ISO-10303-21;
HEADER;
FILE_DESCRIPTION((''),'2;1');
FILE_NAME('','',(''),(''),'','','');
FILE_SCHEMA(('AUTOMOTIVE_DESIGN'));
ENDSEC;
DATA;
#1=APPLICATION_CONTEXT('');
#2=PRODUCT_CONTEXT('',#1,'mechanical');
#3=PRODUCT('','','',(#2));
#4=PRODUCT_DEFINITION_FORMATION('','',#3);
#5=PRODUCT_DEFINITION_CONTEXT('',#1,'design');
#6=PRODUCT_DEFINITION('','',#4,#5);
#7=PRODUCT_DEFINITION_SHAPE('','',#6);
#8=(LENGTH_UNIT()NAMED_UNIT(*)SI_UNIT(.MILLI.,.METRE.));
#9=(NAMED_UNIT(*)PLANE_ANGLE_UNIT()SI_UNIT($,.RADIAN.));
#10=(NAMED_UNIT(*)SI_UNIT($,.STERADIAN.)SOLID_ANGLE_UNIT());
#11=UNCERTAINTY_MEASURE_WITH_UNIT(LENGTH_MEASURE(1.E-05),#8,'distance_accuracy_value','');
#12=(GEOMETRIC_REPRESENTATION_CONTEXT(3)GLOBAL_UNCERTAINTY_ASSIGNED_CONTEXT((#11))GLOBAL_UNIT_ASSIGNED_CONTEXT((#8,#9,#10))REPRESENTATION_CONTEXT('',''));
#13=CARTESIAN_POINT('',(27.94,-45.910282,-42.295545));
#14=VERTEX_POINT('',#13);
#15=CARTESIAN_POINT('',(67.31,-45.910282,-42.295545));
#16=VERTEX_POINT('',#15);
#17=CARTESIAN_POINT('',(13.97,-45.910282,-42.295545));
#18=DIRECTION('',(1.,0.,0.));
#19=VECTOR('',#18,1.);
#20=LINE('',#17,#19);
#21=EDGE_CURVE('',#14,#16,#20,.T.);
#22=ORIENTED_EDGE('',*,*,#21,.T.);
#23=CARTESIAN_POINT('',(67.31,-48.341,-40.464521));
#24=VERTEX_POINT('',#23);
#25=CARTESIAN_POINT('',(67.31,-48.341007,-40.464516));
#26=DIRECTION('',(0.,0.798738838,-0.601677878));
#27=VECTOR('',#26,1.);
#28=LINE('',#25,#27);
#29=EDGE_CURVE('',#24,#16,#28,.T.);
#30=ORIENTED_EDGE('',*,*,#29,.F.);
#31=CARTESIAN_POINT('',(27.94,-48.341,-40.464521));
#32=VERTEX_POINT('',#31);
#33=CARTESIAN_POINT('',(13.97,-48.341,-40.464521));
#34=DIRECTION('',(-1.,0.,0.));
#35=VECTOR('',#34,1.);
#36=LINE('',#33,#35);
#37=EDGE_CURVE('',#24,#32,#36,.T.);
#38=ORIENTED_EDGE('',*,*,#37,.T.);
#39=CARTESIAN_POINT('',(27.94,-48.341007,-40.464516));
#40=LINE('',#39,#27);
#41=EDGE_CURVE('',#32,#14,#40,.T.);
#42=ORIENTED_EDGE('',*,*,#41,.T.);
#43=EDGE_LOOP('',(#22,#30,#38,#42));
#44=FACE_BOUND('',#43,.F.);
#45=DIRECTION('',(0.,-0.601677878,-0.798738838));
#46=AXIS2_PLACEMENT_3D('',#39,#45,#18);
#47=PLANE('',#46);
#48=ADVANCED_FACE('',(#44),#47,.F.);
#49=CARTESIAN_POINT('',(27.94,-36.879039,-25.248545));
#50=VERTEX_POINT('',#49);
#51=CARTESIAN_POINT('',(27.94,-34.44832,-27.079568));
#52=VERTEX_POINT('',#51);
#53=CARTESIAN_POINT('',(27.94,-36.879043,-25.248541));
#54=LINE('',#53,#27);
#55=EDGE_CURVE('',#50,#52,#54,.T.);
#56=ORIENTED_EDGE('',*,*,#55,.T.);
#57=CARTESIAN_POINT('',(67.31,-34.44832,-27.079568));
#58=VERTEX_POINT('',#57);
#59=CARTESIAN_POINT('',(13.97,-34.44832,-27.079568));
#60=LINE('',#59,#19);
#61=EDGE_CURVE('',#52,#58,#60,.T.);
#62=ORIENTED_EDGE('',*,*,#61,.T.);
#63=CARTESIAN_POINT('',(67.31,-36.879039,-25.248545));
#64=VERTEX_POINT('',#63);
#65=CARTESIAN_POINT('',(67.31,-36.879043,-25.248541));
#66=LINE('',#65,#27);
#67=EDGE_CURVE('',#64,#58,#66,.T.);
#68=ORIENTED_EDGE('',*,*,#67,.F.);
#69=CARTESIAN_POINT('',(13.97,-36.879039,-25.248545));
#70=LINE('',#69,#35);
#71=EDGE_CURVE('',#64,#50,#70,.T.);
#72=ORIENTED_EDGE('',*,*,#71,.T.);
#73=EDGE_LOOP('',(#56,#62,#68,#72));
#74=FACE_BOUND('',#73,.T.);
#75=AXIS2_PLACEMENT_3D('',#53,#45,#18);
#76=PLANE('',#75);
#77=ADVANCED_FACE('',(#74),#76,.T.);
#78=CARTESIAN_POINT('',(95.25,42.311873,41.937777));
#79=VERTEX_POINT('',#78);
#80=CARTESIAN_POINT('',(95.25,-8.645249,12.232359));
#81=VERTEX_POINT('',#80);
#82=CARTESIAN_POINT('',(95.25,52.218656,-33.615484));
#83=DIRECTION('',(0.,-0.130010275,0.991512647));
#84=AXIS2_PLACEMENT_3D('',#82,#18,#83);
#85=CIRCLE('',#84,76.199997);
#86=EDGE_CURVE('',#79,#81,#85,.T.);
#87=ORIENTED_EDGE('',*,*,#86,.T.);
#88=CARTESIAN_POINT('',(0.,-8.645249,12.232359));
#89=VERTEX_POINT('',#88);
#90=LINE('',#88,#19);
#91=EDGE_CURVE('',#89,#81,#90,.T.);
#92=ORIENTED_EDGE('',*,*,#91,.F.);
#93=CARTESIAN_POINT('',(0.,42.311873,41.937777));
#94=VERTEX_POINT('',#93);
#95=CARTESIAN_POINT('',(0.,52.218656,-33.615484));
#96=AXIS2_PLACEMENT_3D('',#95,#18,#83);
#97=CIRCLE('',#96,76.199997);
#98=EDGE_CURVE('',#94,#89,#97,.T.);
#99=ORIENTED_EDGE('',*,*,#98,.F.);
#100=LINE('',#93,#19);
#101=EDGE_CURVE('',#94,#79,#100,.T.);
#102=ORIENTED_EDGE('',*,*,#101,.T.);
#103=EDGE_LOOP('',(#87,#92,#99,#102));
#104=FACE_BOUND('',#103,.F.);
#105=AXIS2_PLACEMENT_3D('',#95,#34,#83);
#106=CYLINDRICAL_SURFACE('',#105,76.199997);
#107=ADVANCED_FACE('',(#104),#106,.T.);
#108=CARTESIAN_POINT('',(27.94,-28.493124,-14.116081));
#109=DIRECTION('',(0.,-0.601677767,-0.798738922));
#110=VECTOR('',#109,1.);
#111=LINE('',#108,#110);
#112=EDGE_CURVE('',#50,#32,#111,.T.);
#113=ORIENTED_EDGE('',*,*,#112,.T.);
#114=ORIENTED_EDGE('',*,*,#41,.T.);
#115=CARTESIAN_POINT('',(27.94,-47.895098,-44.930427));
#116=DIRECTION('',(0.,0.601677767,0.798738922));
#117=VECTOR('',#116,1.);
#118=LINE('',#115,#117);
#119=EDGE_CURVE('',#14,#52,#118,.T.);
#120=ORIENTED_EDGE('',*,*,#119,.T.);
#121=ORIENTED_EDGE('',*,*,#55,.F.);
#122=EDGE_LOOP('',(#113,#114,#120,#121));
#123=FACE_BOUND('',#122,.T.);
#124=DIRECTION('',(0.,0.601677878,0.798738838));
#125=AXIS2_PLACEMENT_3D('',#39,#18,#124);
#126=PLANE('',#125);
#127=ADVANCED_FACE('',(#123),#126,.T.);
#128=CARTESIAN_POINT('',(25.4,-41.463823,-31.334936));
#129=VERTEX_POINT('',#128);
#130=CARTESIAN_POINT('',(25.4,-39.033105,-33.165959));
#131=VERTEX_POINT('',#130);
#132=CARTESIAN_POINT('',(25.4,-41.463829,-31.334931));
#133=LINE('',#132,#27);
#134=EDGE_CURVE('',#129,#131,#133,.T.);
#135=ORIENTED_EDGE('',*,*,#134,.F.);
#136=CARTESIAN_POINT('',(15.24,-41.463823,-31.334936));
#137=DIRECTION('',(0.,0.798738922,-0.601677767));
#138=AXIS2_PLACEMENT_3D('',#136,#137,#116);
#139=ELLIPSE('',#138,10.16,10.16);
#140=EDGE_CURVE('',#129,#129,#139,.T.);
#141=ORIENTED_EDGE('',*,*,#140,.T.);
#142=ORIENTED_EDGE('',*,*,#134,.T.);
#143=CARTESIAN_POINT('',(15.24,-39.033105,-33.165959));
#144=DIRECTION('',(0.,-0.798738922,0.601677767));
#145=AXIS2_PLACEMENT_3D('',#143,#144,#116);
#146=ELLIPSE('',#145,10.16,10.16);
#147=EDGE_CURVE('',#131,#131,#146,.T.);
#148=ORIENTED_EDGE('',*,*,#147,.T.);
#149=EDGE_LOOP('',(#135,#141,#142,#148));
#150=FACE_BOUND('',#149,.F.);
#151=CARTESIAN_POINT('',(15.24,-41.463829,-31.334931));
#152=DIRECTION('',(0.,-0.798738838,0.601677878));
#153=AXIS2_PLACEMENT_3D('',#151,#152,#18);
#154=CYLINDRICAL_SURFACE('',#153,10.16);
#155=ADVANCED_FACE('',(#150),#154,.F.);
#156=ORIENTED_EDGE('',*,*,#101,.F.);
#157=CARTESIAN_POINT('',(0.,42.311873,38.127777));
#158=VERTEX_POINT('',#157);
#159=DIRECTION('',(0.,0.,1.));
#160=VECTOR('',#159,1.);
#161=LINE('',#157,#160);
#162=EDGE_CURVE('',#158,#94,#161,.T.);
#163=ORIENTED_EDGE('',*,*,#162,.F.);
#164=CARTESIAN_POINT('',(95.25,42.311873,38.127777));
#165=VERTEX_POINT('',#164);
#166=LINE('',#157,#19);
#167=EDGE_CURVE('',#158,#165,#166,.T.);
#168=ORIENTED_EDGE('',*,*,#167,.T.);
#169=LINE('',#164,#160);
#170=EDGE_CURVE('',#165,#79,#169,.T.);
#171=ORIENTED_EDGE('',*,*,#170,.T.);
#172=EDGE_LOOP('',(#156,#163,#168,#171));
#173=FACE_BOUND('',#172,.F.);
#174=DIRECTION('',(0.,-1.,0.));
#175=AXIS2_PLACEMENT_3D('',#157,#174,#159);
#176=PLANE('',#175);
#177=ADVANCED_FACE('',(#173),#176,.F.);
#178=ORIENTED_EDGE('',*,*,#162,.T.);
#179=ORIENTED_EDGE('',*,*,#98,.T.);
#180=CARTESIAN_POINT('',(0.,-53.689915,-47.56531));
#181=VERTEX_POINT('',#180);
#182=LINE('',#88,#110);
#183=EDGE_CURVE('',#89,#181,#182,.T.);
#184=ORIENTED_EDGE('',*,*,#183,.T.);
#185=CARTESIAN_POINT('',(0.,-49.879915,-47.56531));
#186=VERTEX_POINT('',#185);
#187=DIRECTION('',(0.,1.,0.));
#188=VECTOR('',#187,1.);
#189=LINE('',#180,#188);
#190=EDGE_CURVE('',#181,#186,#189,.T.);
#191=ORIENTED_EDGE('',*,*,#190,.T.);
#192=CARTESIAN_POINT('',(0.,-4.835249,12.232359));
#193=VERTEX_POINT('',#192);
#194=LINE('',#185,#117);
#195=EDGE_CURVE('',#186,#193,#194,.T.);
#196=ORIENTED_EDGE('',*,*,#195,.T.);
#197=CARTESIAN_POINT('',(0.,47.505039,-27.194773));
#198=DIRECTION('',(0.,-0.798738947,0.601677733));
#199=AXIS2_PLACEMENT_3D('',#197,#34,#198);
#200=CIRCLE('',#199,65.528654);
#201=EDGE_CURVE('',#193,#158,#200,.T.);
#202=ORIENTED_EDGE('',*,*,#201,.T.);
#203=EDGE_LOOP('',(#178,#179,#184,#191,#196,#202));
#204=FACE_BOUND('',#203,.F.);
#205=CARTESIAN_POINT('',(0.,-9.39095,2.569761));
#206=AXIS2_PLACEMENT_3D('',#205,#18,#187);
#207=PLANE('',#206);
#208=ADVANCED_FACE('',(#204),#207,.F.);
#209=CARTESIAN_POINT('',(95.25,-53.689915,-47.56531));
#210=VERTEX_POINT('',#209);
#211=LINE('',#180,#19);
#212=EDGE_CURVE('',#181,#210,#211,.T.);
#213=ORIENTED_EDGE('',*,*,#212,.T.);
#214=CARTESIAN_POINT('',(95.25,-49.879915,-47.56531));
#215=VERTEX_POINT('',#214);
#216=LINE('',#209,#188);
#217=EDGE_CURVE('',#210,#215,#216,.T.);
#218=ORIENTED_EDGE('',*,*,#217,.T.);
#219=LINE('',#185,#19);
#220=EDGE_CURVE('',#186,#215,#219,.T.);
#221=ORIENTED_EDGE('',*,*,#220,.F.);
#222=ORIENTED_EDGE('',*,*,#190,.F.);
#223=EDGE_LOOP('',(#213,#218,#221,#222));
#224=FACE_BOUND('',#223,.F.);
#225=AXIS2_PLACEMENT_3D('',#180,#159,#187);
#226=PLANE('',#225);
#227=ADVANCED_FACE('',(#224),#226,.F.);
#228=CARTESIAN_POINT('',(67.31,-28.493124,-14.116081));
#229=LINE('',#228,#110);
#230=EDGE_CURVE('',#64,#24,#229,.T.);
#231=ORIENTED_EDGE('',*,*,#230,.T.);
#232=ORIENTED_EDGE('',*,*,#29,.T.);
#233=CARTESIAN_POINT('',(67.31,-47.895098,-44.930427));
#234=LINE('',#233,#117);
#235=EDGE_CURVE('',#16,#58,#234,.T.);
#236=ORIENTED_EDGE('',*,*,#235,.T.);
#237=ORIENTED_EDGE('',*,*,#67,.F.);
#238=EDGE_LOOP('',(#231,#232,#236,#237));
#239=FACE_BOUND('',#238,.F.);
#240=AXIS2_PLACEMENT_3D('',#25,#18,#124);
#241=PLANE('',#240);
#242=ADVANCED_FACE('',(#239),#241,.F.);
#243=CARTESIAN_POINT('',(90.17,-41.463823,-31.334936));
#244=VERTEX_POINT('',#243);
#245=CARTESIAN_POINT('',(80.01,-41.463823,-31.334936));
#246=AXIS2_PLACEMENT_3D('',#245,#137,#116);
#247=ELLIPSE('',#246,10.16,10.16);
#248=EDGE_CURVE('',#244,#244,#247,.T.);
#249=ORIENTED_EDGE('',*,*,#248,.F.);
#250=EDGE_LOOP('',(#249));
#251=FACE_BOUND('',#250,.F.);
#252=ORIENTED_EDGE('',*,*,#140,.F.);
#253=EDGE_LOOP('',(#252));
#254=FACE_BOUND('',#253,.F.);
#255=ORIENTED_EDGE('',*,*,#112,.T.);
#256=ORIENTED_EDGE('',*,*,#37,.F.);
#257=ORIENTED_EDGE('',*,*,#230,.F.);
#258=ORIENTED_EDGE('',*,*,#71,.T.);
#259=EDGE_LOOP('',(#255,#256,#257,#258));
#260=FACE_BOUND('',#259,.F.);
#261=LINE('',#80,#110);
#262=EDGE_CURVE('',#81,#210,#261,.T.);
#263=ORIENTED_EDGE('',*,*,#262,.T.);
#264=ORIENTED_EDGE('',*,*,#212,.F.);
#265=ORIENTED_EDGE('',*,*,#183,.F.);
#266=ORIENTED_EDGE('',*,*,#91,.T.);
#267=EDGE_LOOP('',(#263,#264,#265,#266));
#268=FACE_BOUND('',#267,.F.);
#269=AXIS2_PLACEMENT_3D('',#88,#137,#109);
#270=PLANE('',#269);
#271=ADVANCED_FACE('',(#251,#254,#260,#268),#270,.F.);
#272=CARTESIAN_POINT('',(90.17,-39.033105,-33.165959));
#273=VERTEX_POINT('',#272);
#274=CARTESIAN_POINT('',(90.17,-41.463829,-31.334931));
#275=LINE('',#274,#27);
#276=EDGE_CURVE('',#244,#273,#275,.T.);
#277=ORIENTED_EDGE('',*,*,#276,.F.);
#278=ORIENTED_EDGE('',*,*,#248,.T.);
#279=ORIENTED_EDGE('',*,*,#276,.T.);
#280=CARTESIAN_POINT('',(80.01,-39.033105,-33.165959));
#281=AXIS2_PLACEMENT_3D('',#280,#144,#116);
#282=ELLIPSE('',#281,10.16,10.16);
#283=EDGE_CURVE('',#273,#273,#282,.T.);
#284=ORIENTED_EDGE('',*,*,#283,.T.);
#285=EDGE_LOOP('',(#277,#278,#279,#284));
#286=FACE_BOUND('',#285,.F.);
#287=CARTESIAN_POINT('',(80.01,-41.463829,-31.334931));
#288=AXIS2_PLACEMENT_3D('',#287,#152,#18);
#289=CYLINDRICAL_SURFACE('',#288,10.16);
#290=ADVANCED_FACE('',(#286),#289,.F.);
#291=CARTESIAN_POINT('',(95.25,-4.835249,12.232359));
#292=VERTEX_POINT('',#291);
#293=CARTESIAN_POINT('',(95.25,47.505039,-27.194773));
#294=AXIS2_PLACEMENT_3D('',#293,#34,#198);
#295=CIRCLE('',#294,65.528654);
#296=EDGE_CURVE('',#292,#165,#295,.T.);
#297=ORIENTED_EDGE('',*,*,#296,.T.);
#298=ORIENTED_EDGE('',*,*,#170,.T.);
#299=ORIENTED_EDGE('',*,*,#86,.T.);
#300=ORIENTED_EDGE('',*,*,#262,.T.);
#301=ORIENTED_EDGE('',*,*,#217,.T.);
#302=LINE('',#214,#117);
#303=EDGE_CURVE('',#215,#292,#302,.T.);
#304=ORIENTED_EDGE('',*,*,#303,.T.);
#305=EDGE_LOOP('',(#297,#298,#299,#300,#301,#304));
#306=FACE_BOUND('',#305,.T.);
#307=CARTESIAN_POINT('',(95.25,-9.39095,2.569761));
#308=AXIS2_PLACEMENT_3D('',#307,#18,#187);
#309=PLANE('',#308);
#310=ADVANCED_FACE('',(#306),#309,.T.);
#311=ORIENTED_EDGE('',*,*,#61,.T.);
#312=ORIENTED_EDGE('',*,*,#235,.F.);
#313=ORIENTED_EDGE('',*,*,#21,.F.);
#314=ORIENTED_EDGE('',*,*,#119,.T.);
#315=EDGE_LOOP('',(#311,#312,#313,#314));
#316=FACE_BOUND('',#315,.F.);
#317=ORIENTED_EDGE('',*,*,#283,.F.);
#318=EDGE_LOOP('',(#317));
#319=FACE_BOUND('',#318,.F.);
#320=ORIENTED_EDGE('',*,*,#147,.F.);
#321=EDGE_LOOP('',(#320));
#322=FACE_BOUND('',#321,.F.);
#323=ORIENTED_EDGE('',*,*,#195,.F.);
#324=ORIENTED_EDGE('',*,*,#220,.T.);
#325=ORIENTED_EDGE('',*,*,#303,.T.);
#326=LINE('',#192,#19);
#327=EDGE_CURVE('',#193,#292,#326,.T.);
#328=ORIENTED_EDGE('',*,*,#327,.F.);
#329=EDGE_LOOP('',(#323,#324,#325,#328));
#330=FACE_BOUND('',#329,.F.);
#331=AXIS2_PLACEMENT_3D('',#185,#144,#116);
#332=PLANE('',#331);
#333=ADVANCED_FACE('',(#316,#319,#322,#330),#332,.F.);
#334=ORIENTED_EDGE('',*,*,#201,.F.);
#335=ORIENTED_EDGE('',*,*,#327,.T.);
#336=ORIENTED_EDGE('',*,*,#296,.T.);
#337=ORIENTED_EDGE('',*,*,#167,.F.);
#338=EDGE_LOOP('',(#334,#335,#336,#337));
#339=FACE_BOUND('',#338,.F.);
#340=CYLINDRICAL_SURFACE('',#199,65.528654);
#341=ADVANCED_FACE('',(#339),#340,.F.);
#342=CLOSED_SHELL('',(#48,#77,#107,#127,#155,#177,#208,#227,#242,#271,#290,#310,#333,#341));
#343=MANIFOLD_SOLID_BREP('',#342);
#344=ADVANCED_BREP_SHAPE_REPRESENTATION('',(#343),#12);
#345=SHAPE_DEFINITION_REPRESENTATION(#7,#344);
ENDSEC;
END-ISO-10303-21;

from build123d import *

# Parameters (mm, degrees)
F1_DEPTH = 95.25
F2_R     = 10.16
F2_W     = 39.37
F2_H     = 19.05
F3_DEPTH = 25.4


with BuildPart() as f1:
    # F0 (on Right) → F1 (new body)
    with BuildSketch(Plane.YZ):
        with BuildLine():
            ThreePointArc((42.311873, 41.937777), (13.84255, 32.215467), (-8.645249, 12.232359))
            Line((-8.645249, 12.232359), (-53.689915, -47.56531))
            Line((-53.689915, -47.56531), (-49.879915, -47.56531))
            Line((-49.879915, -47.56531), (-4.835249, 12.232359))
            ThreePointArc((-4.835249, 12.232359), (15.95876, 30.240728), (42.311873, 38.127777))
            Line((42.311873, 38.127777), (42.311873, 41.937777))
        make_face()
    extrude(amount=F1_DEPTH)

    # F2 (on face) → F3 (cut)
    with BuildSketch(Plane(origin=(0, -11.394199, 8.583075), x_dir=(1, 0, 0), z_dir=(0, -0.798739, 0.601678))):
        with Locations((15.24, -49.976293)):
            Circle(F2_R)
        with Locations((47.625, -51.881293)):
            Rectangle(F2_W, F2_H)
        with Locations((80.01, -49.976293)):
            Circle(F2_R)
    extrude(amount=-F3_DEPTH, mode=Mode.SUBTRACT)


solid = f1.part
